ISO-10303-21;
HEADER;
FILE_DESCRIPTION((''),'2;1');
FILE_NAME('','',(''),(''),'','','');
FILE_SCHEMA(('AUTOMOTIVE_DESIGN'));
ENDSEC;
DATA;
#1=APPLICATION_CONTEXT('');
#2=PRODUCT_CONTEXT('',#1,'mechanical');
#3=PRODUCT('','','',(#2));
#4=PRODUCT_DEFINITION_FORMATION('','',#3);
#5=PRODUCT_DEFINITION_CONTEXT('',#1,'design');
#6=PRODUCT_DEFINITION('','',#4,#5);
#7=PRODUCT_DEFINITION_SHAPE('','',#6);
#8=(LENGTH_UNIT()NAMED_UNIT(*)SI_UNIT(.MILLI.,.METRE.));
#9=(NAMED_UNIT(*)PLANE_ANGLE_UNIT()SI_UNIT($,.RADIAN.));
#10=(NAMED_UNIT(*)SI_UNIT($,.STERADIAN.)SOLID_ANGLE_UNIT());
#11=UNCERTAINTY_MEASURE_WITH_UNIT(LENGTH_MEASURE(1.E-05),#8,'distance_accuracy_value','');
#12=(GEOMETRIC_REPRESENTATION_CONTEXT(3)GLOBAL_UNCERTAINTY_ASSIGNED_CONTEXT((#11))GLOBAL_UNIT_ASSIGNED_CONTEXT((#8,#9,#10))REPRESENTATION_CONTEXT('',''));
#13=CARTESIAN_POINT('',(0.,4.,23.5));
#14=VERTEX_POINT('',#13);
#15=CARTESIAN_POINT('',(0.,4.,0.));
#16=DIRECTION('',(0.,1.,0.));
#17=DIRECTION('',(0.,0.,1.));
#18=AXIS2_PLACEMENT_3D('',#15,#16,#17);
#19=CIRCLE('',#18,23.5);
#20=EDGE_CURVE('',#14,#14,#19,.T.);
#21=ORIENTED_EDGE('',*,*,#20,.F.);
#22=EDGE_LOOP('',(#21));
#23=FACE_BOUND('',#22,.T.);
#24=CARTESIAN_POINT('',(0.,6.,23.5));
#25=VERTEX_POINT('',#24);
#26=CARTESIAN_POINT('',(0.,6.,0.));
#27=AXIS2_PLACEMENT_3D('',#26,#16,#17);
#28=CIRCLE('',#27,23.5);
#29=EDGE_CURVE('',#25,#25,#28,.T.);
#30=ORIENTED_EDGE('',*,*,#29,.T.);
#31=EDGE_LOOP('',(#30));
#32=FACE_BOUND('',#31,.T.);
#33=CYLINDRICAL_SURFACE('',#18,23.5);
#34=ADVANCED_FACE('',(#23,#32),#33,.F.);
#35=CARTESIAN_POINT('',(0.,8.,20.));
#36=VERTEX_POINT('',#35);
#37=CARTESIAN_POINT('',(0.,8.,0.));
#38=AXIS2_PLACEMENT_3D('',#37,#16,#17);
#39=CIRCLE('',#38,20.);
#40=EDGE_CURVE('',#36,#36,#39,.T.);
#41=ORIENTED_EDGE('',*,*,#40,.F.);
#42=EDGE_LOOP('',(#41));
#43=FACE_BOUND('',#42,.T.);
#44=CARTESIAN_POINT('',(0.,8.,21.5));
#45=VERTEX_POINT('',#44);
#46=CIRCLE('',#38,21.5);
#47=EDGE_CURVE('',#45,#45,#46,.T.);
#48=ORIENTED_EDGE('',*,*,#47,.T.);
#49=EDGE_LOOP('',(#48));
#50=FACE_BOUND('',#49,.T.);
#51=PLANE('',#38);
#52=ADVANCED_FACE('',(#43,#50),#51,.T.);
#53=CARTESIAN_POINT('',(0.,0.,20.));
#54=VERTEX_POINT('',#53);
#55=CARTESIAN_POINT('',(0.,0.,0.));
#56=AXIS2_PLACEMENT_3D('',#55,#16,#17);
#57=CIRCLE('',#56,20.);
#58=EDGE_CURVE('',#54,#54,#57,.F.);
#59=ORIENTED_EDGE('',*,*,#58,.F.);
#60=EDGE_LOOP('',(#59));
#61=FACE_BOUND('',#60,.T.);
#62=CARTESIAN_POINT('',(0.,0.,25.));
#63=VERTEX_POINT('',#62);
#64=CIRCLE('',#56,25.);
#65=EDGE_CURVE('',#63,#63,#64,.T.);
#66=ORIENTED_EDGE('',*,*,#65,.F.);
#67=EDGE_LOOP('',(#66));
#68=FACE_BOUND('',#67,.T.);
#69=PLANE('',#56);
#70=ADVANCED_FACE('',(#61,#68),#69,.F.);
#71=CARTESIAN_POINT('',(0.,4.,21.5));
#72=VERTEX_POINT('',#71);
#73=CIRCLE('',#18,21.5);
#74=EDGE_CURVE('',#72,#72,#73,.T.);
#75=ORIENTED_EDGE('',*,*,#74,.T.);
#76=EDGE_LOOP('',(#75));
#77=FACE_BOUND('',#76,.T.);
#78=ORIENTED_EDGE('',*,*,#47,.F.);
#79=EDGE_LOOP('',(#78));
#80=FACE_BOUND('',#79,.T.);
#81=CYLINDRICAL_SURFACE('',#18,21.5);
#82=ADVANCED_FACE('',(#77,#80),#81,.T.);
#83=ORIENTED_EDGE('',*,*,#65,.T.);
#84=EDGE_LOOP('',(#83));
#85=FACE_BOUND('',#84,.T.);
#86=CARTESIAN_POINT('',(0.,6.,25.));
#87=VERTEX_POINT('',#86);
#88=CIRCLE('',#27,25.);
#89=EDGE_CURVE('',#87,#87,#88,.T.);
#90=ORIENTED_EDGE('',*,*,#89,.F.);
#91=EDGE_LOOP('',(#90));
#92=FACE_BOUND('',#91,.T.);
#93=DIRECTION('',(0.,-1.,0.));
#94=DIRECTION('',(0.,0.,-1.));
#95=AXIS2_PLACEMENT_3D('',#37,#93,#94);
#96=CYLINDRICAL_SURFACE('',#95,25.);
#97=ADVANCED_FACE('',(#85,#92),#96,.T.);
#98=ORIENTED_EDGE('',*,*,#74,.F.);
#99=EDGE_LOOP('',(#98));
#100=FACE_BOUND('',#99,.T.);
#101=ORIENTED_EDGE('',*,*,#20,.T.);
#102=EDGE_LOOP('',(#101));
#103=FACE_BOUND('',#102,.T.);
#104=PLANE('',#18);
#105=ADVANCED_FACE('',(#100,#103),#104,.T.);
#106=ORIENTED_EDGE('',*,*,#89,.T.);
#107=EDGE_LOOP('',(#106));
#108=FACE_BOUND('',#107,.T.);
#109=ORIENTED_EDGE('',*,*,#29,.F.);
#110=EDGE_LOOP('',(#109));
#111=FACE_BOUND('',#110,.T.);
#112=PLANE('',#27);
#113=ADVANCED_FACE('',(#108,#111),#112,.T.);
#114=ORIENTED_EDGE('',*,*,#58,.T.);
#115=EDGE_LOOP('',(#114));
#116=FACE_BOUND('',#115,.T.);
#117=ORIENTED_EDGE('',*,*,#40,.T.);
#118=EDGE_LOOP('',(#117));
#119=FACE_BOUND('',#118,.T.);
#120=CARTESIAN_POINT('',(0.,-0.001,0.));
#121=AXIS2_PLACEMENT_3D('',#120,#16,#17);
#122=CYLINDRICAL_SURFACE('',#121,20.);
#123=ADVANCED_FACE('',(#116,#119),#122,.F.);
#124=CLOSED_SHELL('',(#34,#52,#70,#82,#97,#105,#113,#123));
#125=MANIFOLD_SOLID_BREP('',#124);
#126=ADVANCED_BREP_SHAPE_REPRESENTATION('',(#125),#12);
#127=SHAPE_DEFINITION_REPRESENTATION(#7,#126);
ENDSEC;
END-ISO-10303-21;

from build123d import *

# Parameters (mm, degrees)
SKETCH1_R           = 25
BOSS_EXTRUDE1_DEPTH = 8
SKETCH2_R           = 23.5
SKETCH2_R_2         = 21.5
CUT_EXTRUDE1_DEPTH  = 4
SKETCH3_R           = 25
SKETCH3_R_2         = 23.5
CUT_EXTRUDE2_DEPTH  = 2
CUT_EXTRUDE3_REACH  = 38.249
SKETCH4_R           = 20


with BuildPart() as part:
    # Sketch1 → Boss-Extrude1 (new body)
    with BuildSketch(Plane(origin=(0, 0, 0), x_dir=(1, 0, 0), z_dir=(0, 1, 0))):
        with Locations(Location((0, 0, 0), (0, 0, 270))):
            Circle(SKETCH1_R)
    extrude(amount=BOSS_EXTRUDE1_DEPTH)

    # Sketch2 → Cut-Extrude1 (cut)
    with BuildSketch(Plane(origin=(0, 8, 0), x_dir=(1, 0, 0), z_dir=(0, 1, 0))):
        with Locations(Location((0, 0, 0), (0, 0, 270))):
            Circle(SKETCH2_R)
        with Locations(Location((0, 0, 0), (0, 0, 270))):
            Circle(SKETCH2_R_2, mode=Mode.SUBTRACT)
    extrude(amount=-CUT_EXTRUDE1_DEPTH, mode=Mode.SUBTRACT)

    # Sketch3 → Cut-Extrude2 (cut)
    with BuildSketch(Plane(origin=(0, 8, 0), x_dir=(1, 0, 0), z_dir=(0, 1, 0))):
        with Locations(Location((0, 0, 0), (0, 0, 270))):
            Circle(SKETCH3_R)
        with Locations(Location((0, 0, 0), (0, 0, 270))):
            Circle(SKETCH3_R_2, mode=Mode.SUBTRACT)
    extrude(amount=-CUT_EXTRUDE2_DEPTH, mode=Mode.SUBTRACT)

    # Sketch4 → Cut-Extrude3 (cut, up to next)
    with BuildSketch(Plane(origin=(0, 8, 0), x_dir=(1, 0, 0), z_dir=(0, 1, 0)), mode=Mode.PRIVATE) as cut_extrude3_sk1:
        with Locations(Location((0, 0, 0), (0, 0, 270))):
            Circle(SKETCH4_R)
    cut_extrude3_tool1 = extrude(cut_extrude3_sk1.sketch, amount=-CUT_EXTRUDE3_REACH, mode=Mode.PRIVATE) & part.part
    add(cut_extrude3_tool1.solids().sort_by_distance((0, 8, 0))[0], mode=Mode.SUBTRACT)


solid = part.part
